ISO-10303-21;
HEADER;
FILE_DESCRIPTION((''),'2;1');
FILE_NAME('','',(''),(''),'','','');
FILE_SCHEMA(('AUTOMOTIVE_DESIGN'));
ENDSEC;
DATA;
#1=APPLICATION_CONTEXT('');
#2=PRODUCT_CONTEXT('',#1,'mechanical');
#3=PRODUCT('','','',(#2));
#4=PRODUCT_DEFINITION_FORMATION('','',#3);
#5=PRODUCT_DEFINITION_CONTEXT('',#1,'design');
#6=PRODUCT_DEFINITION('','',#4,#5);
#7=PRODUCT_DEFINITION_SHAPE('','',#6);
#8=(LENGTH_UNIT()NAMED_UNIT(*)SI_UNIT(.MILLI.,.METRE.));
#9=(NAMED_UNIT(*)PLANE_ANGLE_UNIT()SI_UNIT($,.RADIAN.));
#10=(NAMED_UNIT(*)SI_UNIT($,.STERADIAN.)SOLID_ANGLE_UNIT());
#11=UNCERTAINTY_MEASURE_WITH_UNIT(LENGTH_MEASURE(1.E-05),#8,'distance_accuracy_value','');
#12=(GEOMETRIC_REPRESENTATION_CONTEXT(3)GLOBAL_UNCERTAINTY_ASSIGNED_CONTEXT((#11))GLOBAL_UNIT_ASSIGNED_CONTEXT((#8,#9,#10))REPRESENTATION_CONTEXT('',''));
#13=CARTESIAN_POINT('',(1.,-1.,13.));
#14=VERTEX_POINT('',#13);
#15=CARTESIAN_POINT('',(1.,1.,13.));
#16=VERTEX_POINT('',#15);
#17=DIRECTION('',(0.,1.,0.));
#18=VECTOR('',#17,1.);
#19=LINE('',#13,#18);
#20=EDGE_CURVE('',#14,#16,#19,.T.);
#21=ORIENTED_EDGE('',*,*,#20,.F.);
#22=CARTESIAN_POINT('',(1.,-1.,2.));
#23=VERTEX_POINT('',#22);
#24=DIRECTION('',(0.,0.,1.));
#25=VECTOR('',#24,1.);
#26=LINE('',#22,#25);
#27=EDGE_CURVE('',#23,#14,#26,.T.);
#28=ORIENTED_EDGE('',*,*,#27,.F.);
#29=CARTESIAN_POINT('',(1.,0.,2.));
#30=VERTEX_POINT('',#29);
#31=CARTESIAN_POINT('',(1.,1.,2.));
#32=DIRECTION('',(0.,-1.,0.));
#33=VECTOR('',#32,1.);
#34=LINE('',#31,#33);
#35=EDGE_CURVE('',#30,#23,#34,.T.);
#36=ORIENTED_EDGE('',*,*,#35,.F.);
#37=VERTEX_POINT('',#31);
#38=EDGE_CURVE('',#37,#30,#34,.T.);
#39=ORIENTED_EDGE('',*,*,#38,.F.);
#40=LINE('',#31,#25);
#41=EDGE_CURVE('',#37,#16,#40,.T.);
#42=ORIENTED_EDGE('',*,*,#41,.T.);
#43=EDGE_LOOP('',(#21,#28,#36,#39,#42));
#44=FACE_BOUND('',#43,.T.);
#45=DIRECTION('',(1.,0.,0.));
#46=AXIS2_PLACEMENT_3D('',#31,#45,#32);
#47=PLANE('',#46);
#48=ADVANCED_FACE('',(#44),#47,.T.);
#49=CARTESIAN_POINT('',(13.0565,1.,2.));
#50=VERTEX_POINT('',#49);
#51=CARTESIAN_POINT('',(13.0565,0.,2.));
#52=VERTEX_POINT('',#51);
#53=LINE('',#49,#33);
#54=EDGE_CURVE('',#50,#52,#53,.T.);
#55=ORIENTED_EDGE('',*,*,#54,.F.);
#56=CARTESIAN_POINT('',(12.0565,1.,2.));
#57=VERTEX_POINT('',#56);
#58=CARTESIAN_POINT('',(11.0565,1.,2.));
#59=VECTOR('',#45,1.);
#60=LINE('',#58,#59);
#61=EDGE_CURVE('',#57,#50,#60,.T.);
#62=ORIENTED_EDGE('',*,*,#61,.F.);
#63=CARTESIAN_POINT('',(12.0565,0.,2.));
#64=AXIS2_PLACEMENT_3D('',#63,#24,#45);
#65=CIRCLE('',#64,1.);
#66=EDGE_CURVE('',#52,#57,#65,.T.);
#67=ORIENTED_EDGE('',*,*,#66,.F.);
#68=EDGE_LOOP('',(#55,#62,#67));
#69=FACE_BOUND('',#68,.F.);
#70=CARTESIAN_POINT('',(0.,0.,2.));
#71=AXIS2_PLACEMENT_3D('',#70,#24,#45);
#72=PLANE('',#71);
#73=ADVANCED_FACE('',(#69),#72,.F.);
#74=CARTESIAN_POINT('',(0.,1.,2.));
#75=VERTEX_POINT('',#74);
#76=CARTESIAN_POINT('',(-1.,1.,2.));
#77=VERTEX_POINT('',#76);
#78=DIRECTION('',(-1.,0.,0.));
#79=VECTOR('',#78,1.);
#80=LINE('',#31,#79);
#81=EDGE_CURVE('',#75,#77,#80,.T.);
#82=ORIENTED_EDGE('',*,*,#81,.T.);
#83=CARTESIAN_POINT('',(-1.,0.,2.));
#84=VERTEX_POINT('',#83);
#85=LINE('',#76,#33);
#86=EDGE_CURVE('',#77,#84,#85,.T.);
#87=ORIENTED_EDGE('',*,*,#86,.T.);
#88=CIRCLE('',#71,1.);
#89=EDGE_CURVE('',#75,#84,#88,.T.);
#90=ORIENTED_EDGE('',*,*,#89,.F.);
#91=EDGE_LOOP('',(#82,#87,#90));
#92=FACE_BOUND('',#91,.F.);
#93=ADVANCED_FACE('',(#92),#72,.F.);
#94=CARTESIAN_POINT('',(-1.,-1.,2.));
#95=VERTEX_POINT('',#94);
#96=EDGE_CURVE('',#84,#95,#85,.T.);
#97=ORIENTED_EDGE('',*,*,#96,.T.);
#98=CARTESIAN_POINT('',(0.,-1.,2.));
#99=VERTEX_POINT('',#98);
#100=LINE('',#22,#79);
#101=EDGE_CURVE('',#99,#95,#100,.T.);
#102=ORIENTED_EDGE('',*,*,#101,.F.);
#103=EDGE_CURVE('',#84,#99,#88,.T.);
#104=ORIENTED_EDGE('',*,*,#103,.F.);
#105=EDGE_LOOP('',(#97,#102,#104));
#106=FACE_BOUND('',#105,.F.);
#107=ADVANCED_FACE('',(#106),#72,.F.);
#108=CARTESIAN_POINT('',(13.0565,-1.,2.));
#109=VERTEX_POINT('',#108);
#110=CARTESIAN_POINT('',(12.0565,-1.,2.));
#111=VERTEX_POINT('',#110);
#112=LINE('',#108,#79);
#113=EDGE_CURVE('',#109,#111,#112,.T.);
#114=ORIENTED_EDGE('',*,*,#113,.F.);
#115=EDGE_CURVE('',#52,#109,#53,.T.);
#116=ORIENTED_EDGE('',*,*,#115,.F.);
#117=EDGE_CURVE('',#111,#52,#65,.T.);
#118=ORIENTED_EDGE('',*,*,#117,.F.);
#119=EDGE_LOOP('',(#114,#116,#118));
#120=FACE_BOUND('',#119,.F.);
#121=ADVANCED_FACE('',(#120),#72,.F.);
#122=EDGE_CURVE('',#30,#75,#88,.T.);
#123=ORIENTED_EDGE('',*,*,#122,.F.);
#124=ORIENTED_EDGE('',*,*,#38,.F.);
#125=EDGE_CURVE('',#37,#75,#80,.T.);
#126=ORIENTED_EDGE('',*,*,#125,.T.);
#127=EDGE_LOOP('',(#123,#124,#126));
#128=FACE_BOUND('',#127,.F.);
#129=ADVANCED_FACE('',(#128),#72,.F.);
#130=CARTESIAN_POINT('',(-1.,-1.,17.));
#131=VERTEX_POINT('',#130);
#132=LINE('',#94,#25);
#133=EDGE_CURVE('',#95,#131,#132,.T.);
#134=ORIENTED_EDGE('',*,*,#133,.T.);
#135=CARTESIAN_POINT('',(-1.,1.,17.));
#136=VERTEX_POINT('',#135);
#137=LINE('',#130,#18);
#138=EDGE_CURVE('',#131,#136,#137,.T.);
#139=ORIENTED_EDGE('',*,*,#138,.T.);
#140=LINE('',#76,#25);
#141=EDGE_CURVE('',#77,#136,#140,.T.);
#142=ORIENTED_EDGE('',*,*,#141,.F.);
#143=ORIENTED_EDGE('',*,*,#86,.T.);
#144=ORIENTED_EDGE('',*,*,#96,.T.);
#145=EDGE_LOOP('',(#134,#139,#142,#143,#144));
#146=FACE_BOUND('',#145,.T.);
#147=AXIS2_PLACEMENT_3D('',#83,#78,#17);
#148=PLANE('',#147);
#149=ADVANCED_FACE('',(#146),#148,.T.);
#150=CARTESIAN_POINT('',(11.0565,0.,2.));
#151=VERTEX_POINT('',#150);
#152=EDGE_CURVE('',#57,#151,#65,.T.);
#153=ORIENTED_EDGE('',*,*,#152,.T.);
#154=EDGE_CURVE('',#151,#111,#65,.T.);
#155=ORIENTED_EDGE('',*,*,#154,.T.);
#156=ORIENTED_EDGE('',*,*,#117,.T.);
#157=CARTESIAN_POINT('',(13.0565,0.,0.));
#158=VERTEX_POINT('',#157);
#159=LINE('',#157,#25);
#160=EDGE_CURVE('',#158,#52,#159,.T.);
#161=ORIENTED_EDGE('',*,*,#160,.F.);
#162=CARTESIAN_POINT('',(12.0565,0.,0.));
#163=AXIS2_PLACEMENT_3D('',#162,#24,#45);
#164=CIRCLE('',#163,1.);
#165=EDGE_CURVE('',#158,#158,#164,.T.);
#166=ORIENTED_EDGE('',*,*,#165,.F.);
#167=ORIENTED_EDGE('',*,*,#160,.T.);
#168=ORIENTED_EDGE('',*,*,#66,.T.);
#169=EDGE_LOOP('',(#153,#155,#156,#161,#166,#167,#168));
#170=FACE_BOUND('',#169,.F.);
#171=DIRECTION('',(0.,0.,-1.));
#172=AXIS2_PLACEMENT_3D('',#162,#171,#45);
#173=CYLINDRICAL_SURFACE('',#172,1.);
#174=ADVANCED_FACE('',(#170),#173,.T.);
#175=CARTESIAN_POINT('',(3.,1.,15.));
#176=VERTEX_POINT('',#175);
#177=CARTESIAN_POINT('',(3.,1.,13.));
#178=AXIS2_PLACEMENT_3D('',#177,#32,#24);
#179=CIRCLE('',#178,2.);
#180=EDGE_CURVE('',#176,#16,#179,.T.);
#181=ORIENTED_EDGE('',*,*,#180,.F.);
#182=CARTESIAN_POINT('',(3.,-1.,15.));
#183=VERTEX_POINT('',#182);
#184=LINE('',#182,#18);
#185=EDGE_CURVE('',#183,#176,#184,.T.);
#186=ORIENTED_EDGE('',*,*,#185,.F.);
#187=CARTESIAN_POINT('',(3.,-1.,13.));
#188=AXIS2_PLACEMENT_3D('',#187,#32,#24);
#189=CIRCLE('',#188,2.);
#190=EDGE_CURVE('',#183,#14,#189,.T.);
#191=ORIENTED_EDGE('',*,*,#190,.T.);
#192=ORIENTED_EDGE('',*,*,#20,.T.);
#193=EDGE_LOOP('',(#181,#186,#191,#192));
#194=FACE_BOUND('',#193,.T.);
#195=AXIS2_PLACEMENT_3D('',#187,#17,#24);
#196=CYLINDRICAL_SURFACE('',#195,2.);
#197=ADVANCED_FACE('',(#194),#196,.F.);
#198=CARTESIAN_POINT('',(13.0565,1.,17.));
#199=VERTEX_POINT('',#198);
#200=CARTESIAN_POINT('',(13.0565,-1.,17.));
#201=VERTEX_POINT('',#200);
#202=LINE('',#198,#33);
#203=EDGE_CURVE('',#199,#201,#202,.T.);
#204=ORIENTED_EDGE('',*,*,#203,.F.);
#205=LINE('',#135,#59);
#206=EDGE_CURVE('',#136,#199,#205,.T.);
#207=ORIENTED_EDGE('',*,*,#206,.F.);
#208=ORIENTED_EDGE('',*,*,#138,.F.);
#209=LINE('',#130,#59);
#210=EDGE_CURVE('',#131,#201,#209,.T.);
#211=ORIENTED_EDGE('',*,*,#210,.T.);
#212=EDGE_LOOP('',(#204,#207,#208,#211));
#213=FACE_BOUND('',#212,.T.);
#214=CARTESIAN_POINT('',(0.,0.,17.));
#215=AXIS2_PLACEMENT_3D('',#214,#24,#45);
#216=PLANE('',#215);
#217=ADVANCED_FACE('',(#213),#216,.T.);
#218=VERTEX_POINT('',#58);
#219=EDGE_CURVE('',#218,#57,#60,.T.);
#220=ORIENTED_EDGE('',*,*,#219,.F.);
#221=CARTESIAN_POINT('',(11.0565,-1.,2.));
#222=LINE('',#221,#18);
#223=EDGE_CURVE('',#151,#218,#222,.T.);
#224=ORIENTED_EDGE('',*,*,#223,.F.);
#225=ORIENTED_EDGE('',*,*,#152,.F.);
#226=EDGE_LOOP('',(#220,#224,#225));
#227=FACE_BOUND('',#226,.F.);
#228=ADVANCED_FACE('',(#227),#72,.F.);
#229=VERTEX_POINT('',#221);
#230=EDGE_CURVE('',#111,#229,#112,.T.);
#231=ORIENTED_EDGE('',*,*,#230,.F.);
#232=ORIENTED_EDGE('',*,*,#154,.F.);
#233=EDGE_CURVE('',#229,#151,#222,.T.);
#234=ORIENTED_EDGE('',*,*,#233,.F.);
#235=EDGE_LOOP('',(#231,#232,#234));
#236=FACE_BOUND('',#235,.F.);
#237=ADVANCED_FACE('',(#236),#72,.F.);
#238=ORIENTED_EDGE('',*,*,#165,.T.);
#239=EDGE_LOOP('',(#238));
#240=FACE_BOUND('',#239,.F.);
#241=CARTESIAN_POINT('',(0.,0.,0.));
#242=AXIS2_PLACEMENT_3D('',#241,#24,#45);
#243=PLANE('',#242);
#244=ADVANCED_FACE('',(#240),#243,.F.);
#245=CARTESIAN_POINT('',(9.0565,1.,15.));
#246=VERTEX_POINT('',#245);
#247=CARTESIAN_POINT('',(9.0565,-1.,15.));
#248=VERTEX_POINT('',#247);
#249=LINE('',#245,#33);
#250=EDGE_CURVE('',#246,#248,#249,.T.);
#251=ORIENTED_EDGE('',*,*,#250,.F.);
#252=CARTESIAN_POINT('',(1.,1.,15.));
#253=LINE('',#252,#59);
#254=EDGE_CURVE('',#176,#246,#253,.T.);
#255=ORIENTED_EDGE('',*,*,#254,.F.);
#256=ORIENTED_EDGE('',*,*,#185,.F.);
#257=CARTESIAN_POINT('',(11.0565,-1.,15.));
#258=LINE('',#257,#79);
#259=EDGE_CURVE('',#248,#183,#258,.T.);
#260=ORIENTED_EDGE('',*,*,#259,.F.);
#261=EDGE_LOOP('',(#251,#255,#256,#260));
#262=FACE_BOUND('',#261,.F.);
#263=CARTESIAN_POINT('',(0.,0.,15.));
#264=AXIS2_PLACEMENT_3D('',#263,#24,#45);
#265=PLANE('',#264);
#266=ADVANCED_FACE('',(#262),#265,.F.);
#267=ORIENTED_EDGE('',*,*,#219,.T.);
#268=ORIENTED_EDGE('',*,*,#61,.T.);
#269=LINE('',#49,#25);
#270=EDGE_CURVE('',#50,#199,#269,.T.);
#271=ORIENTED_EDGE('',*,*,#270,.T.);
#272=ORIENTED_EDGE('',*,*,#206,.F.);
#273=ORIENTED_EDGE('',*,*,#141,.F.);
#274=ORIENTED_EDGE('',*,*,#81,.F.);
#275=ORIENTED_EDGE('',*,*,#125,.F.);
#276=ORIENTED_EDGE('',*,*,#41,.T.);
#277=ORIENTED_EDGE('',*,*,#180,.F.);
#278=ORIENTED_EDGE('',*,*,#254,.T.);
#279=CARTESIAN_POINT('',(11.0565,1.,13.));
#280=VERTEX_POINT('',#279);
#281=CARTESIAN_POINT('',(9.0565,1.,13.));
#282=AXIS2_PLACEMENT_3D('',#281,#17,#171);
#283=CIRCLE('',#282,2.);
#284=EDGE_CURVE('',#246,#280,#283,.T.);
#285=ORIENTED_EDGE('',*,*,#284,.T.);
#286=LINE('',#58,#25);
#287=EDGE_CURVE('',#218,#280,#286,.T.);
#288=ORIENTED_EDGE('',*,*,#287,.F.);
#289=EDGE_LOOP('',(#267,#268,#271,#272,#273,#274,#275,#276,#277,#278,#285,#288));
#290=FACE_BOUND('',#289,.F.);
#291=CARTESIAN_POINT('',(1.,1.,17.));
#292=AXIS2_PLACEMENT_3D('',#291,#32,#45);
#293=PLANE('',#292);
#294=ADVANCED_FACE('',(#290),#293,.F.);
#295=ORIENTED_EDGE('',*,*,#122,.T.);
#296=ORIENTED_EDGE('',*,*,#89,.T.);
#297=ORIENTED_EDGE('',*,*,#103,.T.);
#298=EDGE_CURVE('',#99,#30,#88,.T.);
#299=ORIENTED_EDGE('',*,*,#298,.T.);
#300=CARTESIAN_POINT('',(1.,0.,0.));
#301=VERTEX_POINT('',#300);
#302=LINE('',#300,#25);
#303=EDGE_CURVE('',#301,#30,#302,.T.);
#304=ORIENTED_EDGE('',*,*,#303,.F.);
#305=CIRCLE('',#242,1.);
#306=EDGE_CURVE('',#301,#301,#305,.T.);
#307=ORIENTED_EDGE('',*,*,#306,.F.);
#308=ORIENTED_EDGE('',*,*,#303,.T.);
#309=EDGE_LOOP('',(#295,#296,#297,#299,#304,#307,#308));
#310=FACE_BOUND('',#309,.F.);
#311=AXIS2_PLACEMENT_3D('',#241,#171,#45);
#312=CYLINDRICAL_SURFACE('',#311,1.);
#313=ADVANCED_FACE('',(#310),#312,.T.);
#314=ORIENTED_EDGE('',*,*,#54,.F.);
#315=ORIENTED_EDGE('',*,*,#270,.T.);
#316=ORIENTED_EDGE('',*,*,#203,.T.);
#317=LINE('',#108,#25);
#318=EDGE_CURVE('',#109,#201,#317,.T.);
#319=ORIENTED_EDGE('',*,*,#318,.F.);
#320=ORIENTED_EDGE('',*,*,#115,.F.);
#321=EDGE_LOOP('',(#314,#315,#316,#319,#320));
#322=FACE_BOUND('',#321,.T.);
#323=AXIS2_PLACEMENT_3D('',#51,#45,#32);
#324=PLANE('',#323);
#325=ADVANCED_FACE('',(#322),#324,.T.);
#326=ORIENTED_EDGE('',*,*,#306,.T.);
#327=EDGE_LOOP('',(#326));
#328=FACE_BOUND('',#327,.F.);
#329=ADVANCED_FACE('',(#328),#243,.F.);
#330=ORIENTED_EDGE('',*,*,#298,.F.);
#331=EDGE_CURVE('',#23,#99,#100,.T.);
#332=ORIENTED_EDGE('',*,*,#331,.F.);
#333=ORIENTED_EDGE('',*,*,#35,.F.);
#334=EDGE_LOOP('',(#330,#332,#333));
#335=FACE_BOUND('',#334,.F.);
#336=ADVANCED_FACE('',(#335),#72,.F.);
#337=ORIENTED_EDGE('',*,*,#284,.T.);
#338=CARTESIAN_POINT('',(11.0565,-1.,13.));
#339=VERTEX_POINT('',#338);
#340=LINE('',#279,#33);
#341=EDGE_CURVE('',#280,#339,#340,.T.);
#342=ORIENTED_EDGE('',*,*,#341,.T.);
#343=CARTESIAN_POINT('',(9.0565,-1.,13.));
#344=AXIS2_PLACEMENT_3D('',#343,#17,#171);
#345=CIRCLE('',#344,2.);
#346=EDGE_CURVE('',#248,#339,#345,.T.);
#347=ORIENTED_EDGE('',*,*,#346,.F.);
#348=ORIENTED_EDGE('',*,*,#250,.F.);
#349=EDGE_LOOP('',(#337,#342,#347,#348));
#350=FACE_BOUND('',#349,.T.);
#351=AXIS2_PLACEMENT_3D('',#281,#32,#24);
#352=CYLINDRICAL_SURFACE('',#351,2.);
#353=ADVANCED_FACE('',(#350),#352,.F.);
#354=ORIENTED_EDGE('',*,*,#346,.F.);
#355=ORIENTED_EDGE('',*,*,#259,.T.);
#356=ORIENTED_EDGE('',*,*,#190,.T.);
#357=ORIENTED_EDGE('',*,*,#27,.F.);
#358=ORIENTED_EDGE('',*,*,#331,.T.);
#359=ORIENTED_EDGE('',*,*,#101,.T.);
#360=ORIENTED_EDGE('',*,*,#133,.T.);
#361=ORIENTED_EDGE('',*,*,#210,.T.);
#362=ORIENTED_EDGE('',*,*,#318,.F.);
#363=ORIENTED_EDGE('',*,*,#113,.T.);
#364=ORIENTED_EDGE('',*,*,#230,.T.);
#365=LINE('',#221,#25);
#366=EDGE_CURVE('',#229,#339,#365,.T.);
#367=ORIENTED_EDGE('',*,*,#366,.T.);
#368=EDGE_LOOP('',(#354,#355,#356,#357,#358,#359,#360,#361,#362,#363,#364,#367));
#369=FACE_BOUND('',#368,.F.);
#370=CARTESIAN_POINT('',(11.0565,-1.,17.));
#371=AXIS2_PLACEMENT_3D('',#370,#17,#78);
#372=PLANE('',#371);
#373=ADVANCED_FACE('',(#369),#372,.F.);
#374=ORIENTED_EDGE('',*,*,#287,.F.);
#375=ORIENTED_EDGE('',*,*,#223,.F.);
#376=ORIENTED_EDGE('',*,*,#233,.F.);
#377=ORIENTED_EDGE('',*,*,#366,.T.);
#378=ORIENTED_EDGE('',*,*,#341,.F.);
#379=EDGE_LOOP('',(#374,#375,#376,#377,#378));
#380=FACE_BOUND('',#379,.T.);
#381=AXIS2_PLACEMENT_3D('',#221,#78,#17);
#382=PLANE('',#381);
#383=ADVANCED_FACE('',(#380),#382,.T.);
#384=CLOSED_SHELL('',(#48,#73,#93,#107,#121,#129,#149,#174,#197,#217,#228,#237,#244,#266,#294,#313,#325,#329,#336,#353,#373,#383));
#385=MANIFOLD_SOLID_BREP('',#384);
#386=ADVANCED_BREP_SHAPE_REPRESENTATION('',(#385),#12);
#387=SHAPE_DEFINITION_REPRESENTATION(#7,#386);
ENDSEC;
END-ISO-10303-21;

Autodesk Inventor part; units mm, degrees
ref_plane "YZ Plane" through (0, 0, 0) normal (1, 0, 0) x (0, 1, 0)
ref_plane "XZ Plane" through (0, 0, 0) normal (0, 1, 0) x (-1, 0, 0)
ref_plane "XY Plane" through (0, 0, 0) normal (0, 0, 1) x (1, 0, 0)
sketch "Esboço1" plane through (0, 0, 0) normal (0, 0, 1) x (1, 0, 0)
  circle A0 centre (0, 0) radius 1
  line L0 (0, 0) -> (12.0565, 0) construction
  circle A1 centre (12.0565, 0) radius 1
  dimension "d0" = 2
  dimension "d1" = 12.0565
  dimension "d2" = 2
extrude "Extrusão1" add sketch "Esboço1" along normal blind 2
sketch "Esboço2" plane through (0, 0, 2) normal (0, 0, 1) x (1, 0, 0)
  line L0 (-1, 1) -> (1, 1)
  line L1 (1, 1) -> (1, -1)
  line L2 (1, -1) -> (-1, -1)
  line L3 (-1, -1) -> (-1, 1)
  circle A0 centre (0, 0) radius 1 projected
  line L4 (-1, 1) -> (1, -1) construction
  line L5 (1, 1) -> (-1, -1) construction
  circle A1 centre (12.0565, 0) radius 1 projected
  line L6 (0, 0) -> (12.0565, 0) construction
  line L7 (11.0565, 1) -> (13.0565, 1)
  line L8 (13.0565, 1) -> (13.0565, -1)
  line L9 (13.0565, -1) -> (11.0565, -1)
  line L10 (11.0565, -1) -> (11.0565, 1)
  line L11 (11.0565, 1) -> (13.0565, -1) construction
  line L12 (13.0565, 1) -> (11.0565, -1) construction
extrude "Extrusão2" add sketch "Esboço2" along normal blind 15
sketch "Esboço3" plane through (0, 0, 17) normal (0, 0, 1) x (1, 0, 0)
  line L0 (1, 0) -> (1, 1) projected
  line L1 (12.0565, 1) -> (11.0565, 1) projected
  line L2 (1, 1) -> (11.0565, 1)
  line L3 (11.0565, 1) -> (11.0565, -1)
  line L4 (11.0565, -1) -> (1, -1)
  line L5 (1, -1) -> (1, 1)
  point P0 (0, 0)
  dimension "d7" = 2
extrude "Extrusão3" add sketch "Esboço3" against normal blind 2
fillet "Arredondamento1" radius 2 2 edges at (11.0565, 0, 15) (1, 0, 15)
properties part number "Trem_Pouso"
